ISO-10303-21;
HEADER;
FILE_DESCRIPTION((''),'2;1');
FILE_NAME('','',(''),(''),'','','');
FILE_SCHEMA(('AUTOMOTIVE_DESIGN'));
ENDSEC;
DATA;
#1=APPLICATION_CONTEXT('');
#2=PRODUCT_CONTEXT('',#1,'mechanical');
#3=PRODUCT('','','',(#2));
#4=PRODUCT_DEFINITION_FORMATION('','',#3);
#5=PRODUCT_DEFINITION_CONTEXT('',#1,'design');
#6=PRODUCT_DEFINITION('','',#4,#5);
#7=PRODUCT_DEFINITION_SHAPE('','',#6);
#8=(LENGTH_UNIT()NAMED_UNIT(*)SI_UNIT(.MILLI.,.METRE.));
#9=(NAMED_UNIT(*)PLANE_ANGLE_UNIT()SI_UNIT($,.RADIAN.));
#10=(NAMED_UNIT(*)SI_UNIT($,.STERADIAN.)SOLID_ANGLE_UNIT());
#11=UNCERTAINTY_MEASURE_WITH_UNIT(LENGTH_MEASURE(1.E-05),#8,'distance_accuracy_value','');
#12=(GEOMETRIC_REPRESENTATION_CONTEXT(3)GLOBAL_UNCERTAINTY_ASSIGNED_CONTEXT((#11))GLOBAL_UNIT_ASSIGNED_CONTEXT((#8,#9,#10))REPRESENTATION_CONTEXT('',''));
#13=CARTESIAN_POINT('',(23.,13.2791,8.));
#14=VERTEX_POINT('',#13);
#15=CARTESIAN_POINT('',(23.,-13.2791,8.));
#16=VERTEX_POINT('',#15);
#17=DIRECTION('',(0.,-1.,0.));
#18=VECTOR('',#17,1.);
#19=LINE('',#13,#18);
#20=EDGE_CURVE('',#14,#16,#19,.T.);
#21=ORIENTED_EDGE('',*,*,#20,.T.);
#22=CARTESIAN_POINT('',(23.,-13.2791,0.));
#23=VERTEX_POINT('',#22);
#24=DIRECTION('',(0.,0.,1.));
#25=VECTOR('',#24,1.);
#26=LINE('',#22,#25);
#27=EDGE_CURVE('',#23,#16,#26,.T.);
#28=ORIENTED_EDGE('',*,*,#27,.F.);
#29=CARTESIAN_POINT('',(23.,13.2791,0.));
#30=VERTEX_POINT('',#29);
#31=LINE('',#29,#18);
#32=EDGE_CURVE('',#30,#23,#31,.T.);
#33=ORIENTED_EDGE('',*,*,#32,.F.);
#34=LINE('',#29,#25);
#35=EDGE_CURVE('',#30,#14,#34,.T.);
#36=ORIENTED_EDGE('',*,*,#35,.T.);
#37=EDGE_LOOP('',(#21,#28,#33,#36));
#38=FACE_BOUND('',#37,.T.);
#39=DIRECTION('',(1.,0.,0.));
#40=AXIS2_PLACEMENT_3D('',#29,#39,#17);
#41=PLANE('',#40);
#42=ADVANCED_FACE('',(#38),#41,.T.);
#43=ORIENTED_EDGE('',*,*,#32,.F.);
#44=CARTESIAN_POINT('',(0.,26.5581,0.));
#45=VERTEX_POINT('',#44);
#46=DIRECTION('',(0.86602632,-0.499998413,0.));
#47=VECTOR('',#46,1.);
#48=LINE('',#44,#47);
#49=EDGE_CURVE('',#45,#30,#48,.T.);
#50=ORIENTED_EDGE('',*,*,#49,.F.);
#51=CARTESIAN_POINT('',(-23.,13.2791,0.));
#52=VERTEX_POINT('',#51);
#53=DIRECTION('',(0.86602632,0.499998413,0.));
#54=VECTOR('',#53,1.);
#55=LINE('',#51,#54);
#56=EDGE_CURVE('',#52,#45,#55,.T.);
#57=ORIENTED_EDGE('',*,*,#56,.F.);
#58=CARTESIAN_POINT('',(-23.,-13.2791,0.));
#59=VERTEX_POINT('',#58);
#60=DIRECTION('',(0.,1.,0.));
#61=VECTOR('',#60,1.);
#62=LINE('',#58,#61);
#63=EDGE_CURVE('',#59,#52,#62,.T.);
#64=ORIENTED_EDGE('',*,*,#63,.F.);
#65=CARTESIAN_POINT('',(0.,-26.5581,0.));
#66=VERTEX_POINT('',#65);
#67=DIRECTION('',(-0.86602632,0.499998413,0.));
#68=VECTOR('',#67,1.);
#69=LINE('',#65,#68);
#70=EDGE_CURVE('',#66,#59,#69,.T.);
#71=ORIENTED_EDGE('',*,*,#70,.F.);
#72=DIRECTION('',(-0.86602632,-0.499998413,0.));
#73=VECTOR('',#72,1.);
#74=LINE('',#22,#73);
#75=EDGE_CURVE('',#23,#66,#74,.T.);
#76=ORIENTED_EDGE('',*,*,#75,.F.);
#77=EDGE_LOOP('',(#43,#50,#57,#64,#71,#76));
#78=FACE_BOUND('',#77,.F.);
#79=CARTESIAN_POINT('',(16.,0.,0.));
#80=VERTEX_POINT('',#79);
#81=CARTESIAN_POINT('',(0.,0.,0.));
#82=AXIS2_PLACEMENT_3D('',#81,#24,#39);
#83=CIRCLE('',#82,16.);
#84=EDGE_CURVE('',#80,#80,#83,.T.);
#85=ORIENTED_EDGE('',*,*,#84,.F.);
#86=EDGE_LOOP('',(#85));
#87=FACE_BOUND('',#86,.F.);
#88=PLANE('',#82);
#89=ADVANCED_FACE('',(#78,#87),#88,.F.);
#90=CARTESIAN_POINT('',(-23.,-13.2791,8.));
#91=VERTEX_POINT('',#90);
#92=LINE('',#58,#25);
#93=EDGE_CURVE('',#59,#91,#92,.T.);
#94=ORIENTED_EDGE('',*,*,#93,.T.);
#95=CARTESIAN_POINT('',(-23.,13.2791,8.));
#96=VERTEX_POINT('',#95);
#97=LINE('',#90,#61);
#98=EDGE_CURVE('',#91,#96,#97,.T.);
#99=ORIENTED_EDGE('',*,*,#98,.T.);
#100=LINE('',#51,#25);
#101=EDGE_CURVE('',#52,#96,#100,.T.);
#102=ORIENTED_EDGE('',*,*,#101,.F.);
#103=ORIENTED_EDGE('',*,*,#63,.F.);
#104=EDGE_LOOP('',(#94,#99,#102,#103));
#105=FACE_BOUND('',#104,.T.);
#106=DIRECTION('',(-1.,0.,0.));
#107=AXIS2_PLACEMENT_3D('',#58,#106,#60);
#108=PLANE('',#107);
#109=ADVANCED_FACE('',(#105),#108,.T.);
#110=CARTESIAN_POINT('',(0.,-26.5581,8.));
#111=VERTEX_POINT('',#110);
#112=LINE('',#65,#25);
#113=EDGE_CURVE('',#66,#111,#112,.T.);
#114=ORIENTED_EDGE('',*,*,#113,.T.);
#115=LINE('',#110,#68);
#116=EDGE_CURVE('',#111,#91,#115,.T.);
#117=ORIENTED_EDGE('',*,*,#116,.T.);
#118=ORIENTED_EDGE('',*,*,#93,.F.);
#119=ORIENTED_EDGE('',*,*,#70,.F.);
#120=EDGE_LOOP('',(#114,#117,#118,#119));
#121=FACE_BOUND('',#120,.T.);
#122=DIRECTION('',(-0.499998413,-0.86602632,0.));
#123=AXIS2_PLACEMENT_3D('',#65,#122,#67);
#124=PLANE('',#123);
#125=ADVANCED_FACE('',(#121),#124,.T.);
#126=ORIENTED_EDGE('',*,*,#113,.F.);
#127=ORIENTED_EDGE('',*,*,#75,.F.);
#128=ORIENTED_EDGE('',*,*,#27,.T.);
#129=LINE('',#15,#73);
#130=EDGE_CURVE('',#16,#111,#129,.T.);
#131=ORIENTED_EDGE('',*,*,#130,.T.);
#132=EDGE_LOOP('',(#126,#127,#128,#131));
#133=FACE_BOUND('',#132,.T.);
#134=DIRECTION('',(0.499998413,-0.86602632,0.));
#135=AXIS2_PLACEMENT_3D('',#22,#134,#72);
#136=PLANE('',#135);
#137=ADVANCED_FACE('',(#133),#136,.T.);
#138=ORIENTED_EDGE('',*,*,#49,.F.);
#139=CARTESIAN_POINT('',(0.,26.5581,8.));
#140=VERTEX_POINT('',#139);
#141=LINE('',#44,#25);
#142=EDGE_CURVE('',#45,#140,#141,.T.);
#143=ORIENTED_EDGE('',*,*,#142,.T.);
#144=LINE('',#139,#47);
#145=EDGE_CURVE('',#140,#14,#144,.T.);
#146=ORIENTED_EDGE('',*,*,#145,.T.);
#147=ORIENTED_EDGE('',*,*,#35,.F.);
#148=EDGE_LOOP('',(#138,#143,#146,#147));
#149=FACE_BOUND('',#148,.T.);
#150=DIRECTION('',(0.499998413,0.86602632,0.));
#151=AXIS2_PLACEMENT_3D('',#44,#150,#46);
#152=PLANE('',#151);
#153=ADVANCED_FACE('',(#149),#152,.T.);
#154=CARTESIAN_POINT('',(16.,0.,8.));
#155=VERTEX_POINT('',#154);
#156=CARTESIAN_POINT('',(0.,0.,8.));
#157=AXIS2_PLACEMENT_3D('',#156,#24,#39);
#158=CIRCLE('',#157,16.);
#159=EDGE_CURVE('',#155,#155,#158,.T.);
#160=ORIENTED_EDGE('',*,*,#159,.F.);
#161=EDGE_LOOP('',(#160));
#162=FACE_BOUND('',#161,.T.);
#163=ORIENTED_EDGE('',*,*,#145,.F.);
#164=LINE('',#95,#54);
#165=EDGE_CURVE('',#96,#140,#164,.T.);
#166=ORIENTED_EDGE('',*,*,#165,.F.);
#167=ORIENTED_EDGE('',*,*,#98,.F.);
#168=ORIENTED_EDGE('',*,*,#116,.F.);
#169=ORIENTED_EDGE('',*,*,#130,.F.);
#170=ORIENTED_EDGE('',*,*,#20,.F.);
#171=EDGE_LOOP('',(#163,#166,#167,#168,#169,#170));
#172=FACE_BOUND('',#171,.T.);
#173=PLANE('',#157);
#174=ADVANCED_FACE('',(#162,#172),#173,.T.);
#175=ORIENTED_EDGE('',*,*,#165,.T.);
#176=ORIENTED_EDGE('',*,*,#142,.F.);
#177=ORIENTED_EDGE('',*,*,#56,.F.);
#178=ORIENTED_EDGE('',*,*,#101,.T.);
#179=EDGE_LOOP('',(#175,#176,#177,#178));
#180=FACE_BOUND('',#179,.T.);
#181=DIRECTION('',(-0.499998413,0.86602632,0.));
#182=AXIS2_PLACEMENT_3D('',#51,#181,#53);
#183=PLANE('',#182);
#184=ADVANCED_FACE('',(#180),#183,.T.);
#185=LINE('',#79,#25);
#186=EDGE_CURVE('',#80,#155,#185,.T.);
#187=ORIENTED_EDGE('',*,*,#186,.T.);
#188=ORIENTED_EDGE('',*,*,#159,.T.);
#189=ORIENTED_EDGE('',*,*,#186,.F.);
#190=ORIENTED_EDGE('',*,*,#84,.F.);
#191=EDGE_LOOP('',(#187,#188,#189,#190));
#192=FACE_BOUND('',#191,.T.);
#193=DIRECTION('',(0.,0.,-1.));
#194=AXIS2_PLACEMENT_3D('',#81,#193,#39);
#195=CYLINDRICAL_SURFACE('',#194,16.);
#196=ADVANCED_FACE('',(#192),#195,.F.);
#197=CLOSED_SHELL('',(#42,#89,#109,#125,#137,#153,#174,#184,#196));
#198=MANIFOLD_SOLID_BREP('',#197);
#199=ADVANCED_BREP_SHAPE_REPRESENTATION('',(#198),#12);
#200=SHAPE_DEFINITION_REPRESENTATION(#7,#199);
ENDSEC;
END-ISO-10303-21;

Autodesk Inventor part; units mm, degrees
ref_plane "YZ Plane" through (0, 0, 0) normal (1, 0, 0) x (0, 1, 0)
ref_plane "XZ Plane" through (0, 0, 0) normal (0, 1, 0) x (-1, 0, 0)
ref_plane "XY Plane" through (0, 0, 0) normal (0, 0, 1) x (1, 0, 0)
sketch "Эскиз1" plane through (0, 0, 0) normal (0, 0, 1) x (1, 0, 0)
  line L0 (0, -26.5581) -> (-23, -13.2791)
  line L1 (-23, -13.2791) -> (-23, 13.2791)
  line L2 (-23, 13.2791) -> (0, 26.5581)
  line L3 (0, 26.5581) -> (23, 13.2791)
  line L4 (23, 13.2791) -> (23, -13.2791)
  line L5 (23, -13.2791) -> (0, -26.5581)
  circle A0 centre (0, 0) radius 16
  dimension "d1" = 32
  dimension "d8" = 46
extrude "Выдавливание1" add sketch "Эскиз1" along normal blind 8
thread "Резьба1" size "M32x2" class "6H" standard "ANSI Metric M Profile" length 60
